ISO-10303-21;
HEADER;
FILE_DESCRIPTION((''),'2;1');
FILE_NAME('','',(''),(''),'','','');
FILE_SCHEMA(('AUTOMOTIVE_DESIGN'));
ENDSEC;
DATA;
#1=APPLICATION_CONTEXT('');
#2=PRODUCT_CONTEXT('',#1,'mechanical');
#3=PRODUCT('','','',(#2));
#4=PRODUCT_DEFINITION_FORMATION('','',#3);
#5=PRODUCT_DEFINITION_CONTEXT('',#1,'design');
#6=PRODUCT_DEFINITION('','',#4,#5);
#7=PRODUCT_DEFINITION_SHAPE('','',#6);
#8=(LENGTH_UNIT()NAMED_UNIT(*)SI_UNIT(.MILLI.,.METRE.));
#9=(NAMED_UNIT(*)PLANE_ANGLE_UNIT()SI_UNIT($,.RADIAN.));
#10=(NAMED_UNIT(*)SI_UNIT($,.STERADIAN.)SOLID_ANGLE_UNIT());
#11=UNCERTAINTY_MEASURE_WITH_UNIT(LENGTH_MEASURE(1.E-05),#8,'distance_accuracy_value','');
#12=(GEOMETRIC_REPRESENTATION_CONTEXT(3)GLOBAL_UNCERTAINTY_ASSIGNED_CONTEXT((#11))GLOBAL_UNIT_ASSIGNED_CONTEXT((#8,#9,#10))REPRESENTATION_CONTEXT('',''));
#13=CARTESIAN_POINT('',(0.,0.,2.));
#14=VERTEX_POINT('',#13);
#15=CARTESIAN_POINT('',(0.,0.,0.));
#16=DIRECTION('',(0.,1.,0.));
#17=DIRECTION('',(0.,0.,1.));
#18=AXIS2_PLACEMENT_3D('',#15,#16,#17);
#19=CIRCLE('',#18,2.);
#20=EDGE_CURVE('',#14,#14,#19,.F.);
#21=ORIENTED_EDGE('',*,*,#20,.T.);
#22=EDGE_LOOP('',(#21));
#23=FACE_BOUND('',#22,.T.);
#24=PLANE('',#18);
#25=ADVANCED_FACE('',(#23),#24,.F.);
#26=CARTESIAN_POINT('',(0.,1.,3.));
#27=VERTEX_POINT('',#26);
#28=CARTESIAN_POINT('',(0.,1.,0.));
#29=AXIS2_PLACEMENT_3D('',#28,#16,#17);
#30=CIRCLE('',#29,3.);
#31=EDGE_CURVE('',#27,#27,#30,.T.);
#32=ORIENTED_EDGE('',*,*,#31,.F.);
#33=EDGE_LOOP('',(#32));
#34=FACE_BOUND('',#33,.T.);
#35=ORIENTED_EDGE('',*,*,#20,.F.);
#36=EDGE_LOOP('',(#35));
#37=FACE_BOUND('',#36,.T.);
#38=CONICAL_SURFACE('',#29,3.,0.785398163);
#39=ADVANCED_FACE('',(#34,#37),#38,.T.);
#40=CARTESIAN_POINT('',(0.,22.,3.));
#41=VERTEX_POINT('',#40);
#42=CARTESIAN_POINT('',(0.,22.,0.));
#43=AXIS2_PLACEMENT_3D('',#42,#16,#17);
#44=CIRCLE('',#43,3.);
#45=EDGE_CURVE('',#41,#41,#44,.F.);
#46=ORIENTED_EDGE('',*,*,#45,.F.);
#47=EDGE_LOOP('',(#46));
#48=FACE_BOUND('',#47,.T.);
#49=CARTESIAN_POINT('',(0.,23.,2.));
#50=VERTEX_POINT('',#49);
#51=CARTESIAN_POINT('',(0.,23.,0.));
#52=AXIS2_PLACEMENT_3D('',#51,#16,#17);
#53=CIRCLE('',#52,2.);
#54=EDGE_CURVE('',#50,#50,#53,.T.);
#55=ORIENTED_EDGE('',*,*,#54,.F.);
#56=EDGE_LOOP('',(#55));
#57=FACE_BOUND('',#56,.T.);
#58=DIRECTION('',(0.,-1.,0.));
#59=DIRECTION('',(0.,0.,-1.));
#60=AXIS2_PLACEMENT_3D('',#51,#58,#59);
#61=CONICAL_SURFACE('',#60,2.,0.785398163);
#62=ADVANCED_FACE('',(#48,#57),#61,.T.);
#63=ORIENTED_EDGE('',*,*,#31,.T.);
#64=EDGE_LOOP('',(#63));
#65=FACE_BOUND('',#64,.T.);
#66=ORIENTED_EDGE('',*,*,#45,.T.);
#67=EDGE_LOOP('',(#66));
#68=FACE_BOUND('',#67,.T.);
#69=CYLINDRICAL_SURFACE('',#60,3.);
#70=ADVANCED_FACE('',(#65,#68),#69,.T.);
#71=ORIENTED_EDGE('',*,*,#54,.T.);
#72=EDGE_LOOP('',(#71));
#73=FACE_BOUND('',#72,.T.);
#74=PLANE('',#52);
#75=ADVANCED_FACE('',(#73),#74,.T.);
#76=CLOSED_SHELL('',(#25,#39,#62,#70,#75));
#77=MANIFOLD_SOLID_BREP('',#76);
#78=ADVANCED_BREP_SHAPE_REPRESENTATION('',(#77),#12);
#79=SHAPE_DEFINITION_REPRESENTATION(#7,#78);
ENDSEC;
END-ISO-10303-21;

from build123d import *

# Parameters (mm, degrees)
SKETCH1_R           = 3
BOSS_EXTRUDE1_DEPTH = 23
CHAMFER2_SIZE       = 1


with BuildPart() as part:
    # Sketch1 → Boss-Extrude1 (new body)
    with BuildSketch(Plane(origin=(0, 0, 0), x_dir=(1, 0, 0), z_dir=(0, 1, 0))):
        Circle(SKETCH1_R)
    extrude(amount=BOSS_EXTRUDE1_DEPTH)

    # Chamfer2
    chamfer2_edges = [part.edges().sort_by_distance(p)[0] for p in [
        (-3, 0, 0),
        (-3, 23, 0),
    ]]
    chamfer(chamfer2_edges, length=CHAMFER2_SIZE)


solid = part.part
